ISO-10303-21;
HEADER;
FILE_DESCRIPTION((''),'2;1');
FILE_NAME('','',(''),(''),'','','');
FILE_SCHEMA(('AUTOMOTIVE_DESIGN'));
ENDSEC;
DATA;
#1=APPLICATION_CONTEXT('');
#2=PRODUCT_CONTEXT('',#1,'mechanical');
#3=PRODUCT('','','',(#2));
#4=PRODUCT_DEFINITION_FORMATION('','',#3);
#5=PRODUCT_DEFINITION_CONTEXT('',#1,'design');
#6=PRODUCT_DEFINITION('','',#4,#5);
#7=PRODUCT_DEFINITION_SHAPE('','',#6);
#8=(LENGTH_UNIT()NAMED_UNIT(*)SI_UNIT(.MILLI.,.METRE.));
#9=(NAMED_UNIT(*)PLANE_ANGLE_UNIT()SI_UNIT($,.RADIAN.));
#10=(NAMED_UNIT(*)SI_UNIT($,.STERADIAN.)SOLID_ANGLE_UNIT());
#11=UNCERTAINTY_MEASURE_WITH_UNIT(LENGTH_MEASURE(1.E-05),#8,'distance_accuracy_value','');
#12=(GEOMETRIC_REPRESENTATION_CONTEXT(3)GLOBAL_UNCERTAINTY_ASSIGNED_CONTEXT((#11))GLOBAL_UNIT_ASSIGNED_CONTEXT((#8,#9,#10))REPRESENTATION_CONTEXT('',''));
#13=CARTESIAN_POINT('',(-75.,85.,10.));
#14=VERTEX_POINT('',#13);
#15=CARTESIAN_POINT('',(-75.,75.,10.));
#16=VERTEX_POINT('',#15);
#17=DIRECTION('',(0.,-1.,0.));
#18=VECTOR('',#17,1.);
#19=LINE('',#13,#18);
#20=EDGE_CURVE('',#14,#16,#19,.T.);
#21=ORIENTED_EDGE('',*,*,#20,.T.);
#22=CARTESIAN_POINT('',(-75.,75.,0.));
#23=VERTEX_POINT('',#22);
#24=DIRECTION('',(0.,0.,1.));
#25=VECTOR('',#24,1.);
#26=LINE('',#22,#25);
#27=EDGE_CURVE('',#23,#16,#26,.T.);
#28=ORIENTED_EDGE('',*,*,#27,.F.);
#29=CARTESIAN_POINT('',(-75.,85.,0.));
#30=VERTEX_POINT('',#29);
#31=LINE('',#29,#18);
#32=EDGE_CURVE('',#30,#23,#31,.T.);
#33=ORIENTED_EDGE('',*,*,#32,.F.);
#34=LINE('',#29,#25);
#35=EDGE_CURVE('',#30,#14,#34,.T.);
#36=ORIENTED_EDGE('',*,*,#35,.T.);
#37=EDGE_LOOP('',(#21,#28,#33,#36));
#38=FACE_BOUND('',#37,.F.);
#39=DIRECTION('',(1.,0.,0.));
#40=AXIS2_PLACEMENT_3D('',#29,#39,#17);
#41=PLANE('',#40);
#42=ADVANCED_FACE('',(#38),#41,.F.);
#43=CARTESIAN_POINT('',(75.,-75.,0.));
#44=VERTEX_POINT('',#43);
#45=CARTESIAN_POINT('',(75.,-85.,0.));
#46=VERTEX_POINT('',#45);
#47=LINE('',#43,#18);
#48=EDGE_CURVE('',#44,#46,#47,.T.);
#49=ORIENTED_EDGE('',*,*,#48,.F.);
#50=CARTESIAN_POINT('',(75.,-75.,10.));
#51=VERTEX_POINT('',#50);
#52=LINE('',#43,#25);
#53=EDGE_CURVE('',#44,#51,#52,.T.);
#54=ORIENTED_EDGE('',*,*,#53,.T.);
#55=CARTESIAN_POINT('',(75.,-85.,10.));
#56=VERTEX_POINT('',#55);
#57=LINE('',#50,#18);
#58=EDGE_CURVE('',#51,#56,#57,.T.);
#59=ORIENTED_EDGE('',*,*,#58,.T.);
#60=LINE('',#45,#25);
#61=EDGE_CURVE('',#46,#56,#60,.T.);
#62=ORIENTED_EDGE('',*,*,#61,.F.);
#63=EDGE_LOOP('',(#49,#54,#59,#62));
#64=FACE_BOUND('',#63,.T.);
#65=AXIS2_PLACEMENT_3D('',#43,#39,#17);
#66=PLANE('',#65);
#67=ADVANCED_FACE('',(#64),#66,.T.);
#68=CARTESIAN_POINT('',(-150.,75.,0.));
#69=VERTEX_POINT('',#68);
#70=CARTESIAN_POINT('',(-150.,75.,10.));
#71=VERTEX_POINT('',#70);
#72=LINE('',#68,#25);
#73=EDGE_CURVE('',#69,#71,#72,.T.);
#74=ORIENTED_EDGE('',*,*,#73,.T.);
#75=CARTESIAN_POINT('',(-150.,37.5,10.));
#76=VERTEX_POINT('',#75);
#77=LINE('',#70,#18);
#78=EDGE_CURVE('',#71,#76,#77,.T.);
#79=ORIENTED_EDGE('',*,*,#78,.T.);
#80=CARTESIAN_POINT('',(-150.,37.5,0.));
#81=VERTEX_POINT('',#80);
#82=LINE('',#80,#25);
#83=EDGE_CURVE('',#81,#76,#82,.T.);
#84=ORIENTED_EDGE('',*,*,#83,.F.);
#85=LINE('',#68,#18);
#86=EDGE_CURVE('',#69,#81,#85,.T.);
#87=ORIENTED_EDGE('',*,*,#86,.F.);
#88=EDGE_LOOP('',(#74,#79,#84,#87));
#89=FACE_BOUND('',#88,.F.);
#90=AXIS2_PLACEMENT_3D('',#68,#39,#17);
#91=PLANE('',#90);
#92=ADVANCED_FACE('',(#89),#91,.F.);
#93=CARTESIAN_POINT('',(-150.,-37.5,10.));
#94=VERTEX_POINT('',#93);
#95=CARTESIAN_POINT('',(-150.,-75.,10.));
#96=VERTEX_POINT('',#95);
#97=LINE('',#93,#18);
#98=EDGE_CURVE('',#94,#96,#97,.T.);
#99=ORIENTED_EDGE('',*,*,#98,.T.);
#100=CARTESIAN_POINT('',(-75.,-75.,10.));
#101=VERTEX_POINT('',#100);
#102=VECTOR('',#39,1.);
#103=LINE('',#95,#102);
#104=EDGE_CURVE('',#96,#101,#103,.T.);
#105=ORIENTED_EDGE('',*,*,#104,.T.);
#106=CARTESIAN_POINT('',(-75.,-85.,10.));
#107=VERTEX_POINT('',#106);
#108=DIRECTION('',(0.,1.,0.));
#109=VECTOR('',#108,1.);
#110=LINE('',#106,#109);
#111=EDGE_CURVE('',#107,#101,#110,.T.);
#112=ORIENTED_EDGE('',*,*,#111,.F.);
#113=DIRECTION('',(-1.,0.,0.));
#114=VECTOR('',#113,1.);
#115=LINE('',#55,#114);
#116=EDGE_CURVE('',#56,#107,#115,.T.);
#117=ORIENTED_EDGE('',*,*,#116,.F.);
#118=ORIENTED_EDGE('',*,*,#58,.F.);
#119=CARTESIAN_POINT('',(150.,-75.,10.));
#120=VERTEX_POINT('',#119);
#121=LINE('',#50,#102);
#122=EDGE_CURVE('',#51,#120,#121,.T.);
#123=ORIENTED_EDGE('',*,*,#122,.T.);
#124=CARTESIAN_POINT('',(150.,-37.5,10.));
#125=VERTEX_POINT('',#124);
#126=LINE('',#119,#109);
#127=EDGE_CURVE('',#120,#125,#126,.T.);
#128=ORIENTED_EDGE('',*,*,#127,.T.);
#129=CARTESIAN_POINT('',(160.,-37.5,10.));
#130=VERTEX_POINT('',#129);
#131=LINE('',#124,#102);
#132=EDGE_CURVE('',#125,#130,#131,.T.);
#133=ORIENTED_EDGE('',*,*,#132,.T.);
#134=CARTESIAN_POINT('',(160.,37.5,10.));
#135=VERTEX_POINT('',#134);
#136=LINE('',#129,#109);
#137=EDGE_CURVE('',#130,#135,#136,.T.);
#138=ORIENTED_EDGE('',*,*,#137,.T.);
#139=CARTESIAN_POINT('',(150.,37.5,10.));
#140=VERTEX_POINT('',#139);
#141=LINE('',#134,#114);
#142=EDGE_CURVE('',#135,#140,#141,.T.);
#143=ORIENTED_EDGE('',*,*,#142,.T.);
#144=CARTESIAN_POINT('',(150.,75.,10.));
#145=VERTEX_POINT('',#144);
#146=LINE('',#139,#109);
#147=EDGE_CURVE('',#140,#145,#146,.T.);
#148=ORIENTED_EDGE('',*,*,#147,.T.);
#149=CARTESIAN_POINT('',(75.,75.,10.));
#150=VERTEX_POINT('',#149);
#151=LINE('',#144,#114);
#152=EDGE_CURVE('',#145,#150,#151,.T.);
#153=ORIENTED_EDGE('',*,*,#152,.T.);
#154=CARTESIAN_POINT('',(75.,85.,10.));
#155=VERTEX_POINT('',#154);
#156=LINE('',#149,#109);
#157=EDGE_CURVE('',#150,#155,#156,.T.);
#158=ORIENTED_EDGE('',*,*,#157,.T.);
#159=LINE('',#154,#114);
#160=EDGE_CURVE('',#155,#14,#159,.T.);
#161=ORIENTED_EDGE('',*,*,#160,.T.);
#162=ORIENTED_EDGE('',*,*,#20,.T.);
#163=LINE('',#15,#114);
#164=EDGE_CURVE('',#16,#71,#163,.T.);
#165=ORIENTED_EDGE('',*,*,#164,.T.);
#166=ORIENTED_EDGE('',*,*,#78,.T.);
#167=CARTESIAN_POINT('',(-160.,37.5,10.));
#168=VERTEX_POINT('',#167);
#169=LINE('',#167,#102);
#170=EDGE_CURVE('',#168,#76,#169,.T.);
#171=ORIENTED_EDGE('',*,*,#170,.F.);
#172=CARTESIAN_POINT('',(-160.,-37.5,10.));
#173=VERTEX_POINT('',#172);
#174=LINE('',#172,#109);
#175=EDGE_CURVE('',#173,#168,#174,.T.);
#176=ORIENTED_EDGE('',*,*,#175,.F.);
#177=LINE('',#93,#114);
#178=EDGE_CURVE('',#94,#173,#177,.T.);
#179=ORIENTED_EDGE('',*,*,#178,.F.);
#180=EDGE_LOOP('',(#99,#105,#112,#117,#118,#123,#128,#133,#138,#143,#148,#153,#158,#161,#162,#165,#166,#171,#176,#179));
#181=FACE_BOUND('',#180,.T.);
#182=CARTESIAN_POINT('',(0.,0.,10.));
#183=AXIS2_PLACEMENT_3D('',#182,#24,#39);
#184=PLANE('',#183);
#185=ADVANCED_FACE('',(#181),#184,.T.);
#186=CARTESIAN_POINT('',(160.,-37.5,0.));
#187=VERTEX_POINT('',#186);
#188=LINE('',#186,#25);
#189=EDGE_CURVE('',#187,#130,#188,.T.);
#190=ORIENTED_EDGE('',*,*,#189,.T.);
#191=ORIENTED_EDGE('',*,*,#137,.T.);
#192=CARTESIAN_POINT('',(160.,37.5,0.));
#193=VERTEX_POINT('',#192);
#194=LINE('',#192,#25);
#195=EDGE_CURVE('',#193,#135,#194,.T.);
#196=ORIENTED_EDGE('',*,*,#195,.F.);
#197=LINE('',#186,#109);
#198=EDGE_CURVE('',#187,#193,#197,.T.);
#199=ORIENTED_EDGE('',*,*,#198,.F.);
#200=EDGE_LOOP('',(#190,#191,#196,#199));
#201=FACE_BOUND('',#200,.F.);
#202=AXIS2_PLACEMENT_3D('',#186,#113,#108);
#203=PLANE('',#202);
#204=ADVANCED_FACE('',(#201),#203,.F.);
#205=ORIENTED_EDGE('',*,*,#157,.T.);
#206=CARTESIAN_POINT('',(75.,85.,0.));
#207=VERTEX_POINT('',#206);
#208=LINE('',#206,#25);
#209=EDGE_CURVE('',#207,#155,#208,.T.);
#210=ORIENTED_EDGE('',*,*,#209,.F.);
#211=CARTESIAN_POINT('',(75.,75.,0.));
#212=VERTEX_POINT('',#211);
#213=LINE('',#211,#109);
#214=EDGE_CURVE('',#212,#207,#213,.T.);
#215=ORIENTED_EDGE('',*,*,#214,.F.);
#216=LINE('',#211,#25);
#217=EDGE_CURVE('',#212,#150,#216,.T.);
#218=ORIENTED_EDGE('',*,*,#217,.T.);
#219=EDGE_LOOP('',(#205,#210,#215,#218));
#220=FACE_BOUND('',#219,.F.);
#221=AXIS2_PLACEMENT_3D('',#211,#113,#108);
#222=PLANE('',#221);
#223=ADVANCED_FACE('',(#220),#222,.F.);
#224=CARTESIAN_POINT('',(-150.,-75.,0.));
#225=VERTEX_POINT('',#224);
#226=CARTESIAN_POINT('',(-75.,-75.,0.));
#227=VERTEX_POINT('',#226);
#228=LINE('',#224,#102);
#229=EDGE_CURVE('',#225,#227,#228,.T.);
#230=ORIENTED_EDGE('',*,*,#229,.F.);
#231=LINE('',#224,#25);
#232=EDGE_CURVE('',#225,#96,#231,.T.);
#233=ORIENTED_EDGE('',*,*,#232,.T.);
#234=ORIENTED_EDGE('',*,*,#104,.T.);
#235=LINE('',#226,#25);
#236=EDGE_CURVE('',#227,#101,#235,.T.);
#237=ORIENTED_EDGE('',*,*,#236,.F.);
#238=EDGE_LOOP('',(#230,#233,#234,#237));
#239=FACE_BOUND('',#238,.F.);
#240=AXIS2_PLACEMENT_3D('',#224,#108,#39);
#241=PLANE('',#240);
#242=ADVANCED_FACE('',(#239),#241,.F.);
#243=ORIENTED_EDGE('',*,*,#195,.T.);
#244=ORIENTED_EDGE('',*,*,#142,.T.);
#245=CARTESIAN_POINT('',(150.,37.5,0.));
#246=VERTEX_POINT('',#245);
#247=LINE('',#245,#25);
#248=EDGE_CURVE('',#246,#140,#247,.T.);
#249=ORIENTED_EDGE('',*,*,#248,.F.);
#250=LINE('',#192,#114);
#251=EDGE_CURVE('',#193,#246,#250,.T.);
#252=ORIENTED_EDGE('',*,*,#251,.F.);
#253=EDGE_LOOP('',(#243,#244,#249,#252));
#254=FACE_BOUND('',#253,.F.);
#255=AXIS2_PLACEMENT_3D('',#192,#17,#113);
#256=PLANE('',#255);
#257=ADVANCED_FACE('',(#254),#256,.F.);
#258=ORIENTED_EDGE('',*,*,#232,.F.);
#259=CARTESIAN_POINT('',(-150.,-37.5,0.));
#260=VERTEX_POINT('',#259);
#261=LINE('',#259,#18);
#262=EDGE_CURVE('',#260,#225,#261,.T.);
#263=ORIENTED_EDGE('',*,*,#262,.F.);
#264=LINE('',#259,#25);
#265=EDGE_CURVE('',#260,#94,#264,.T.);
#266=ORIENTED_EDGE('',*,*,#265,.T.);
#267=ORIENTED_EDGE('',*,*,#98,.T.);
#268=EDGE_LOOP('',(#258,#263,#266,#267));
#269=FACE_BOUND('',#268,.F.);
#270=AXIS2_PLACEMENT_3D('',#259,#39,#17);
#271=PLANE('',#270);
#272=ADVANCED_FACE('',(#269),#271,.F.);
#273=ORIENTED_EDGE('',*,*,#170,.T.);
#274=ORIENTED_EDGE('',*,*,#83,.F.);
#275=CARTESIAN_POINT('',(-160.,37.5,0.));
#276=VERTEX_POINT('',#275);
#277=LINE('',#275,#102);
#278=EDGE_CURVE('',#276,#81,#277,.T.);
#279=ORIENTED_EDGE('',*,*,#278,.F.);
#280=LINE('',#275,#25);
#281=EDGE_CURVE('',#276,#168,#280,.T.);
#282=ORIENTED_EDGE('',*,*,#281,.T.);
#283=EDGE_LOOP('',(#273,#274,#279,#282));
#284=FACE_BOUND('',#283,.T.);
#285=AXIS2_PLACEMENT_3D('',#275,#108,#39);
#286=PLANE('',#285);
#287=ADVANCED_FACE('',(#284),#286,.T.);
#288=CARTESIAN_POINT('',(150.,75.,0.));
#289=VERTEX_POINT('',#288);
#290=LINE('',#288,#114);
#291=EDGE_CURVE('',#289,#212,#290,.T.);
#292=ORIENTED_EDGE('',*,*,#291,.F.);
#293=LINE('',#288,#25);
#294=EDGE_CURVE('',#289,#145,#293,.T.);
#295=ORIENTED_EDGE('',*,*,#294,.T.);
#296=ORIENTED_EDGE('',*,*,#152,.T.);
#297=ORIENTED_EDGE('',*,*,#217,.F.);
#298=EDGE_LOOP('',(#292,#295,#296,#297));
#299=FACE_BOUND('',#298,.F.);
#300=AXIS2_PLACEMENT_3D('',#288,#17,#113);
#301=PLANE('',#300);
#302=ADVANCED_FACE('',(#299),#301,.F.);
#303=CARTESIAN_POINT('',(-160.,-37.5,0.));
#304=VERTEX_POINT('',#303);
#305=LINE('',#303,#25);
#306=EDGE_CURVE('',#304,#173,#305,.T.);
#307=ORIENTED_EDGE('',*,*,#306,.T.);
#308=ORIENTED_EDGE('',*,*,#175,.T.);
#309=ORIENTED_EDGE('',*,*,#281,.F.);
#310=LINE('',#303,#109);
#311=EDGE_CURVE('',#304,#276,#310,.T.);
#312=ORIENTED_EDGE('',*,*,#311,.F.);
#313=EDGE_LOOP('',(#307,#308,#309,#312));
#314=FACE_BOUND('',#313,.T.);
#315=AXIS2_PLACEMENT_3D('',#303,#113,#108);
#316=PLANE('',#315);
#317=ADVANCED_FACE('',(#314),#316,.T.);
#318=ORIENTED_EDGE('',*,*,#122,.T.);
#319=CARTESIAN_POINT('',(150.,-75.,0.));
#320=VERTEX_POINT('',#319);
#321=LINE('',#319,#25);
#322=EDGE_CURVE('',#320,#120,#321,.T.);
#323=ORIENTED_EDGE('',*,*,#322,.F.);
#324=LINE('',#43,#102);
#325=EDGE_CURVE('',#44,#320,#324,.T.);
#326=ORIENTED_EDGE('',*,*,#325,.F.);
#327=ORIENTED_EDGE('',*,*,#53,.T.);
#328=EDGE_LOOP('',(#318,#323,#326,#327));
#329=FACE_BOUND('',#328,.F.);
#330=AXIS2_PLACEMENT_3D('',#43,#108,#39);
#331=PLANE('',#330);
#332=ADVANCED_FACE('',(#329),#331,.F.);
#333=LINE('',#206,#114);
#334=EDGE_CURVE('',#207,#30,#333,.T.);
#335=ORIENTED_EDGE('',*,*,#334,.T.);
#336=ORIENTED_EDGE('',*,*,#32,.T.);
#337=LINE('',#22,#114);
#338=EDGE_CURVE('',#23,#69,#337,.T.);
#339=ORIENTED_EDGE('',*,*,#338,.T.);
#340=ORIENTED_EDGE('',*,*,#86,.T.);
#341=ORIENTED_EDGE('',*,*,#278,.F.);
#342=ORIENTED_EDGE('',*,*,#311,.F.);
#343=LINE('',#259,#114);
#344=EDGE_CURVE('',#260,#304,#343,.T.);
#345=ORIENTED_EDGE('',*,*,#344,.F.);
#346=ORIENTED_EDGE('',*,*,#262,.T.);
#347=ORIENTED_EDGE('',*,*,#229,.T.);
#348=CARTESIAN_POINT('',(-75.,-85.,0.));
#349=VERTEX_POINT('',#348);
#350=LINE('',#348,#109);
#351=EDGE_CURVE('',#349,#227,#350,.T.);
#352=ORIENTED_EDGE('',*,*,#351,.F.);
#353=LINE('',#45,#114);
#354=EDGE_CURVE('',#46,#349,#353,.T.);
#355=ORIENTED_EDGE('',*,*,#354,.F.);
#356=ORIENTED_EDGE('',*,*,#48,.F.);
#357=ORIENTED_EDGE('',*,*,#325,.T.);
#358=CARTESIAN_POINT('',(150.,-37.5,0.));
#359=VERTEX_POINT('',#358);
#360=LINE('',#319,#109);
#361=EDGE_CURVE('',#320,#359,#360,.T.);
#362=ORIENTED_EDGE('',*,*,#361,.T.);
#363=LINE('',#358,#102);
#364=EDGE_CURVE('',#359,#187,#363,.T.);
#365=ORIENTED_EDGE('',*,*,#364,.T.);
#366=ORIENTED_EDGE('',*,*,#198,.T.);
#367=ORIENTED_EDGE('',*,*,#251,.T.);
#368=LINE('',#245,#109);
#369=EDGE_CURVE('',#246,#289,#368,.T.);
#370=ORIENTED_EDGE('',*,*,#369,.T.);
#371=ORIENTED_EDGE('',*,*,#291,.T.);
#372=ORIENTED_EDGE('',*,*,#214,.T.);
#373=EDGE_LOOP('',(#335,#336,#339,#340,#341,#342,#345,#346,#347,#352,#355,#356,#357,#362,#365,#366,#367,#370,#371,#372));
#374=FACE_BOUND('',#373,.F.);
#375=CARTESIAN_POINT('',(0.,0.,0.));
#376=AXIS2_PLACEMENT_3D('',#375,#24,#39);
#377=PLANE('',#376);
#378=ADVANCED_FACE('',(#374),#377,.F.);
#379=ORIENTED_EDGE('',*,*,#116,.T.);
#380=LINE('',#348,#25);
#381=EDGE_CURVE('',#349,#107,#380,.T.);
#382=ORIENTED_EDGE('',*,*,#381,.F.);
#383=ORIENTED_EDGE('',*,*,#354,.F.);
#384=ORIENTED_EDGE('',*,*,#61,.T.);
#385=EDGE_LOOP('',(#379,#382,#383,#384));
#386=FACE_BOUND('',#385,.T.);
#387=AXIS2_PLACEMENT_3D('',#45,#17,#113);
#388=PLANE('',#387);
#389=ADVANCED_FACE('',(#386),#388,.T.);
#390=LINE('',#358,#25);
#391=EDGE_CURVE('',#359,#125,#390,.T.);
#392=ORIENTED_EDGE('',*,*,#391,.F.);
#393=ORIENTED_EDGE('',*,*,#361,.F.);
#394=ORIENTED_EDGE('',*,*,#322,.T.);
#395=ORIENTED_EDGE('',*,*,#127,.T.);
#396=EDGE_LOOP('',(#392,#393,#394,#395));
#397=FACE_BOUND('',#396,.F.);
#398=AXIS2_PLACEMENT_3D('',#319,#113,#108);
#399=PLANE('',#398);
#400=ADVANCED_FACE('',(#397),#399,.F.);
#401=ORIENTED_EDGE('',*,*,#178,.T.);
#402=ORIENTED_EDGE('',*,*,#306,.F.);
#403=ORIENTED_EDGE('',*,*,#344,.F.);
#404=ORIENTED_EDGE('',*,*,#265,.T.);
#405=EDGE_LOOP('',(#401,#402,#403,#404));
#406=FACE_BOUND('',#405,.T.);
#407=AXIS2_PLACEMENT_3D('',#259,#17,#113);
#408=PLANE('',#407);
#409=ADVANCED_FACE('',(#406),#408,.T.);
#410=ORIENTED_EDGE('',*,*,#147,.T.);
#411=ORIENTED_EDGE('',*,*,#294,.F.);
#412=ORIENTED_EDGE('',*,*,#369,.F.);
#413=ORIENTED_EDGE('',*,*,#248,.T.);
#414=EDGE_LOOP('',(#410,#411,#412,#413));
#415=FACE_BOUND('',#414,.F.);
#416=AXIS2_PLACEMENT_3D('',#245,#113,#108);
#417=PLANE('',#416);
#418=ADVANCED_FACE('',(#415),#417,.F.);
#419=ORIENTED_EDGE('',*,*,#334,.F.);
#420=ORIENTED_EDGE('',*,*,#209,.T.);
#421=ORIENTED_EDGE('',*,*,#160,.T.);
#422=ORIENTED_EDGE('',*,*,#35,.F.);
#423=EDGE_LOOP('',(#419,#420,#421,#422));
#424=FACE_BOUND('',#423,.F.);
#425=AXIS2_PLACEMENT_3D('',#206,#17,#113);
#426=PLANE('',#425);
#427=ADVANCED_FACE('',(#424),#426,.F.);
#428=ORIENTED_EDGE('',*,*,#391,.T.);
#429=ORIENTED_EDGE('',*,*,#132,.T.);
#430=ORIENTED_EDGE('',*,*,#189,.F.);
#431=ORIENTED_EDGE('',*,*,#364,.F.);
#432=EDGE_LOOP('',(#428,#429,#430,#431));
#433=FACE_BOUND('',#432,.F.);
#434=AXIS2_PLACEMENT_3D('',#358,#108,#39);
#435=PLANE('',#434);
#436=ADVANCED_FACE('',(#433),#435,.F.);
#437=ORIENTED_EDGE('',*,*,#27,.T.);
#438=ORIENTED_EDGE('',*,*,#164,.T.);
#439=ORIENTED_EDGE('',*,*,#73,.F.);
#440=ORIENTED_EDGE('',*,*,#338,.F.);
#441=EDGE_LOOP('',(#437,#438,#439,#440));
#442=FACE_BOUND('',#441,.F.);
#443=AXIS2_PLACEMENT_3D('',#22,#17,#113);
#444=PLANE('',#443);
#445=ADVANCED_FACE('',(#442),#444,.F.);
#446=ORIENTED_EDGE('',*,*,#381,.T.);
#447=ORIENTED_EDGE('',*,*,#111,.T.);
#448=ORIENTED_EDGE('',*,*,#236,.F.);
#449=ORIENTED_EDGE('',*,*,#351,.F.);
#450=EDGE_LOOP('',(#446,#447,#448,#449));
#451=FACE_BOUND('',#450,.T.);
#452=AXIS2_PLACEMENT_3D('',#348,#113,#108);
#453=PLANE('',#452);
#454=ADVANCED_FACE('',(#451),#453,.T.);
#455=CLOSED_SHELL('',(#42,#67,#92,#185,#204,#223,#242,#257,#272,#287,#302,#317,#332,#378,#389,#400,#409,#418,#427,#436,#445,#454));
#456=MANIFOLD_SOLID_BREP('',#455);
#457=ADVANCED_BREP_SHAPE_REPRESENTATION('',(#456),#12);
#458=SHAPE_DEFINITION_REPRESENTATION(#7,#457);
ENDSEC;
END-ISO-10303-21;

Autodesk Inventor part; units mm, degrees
ref_plane "YZ Plane" through (0, 0, 0) normal (1, 0, 0) x (0, 1, 0)
ref_plane "XZ Plane" through (0, 0, 0) normal (0, 1, 0) x (-1, 0, 0)
ref_plane "XY Plane" through (0, 0, 0) normal (0, 0, 1) x (1, 0, 0)
sketch "Skizze1" plane through (0, 0, 0) normal (0, 0, 1) x (1, 0, 0)
  line L0 (-150, -37.5) -> (-160, -37.5)
  line L1 (-160, -37.5) -> (-160, 37.5)
  line L2 (-160, 37.5) -> (-150, 37.5)
  line L3 (75, 75) -> (75, 85)
  line L4 (75, 85) -> (-75, 85)
  line L5 (-75, 85) -> (-75, 75)
  line L6 (0, -75) -> (0, 75) construction
  line L7 (-150, 0) -> (150, 0) construction
  line L8 (150, -37.5) -> (160, -37.5)
  line L9 (160, -37.5) -> (160, 37.5)
  line L10 (160, 37.5) -> (150, 37.5)
  line L11 (75, -75) -> (75, -85)
  line L12 (75, -85) -> (-75, -85)
  line L13 (-75, -85) -> (-75, -75)
  line L14 (-150, 75) -> (-150, 37.5)
  line L15 (-150, -37.5) -> (-150, -75)
  line L16 (-150, -75) -> (-75, -75)
  line L17 (75, -75) -> (150, -75)
  line L18 (150, -75) -> (150, -37.5)
  line L19 (150, 37.5) -> (150, 75)
  line L20 (150, 75) -> (75, 75)
  line L21 (-75, 75) -> (-150, 75)
  point P0 (0, 0)
  dimension "d4" = 300
  dimension "d5" = 150
  dimension "d7" = 75
  dimension "d9" = 150
  dimension "d19" = 10
  dimension "d20" = 10
extrude "Extrusion2" add sketch "Skizze1" along normal blind 10
properties part number "Platte1"
